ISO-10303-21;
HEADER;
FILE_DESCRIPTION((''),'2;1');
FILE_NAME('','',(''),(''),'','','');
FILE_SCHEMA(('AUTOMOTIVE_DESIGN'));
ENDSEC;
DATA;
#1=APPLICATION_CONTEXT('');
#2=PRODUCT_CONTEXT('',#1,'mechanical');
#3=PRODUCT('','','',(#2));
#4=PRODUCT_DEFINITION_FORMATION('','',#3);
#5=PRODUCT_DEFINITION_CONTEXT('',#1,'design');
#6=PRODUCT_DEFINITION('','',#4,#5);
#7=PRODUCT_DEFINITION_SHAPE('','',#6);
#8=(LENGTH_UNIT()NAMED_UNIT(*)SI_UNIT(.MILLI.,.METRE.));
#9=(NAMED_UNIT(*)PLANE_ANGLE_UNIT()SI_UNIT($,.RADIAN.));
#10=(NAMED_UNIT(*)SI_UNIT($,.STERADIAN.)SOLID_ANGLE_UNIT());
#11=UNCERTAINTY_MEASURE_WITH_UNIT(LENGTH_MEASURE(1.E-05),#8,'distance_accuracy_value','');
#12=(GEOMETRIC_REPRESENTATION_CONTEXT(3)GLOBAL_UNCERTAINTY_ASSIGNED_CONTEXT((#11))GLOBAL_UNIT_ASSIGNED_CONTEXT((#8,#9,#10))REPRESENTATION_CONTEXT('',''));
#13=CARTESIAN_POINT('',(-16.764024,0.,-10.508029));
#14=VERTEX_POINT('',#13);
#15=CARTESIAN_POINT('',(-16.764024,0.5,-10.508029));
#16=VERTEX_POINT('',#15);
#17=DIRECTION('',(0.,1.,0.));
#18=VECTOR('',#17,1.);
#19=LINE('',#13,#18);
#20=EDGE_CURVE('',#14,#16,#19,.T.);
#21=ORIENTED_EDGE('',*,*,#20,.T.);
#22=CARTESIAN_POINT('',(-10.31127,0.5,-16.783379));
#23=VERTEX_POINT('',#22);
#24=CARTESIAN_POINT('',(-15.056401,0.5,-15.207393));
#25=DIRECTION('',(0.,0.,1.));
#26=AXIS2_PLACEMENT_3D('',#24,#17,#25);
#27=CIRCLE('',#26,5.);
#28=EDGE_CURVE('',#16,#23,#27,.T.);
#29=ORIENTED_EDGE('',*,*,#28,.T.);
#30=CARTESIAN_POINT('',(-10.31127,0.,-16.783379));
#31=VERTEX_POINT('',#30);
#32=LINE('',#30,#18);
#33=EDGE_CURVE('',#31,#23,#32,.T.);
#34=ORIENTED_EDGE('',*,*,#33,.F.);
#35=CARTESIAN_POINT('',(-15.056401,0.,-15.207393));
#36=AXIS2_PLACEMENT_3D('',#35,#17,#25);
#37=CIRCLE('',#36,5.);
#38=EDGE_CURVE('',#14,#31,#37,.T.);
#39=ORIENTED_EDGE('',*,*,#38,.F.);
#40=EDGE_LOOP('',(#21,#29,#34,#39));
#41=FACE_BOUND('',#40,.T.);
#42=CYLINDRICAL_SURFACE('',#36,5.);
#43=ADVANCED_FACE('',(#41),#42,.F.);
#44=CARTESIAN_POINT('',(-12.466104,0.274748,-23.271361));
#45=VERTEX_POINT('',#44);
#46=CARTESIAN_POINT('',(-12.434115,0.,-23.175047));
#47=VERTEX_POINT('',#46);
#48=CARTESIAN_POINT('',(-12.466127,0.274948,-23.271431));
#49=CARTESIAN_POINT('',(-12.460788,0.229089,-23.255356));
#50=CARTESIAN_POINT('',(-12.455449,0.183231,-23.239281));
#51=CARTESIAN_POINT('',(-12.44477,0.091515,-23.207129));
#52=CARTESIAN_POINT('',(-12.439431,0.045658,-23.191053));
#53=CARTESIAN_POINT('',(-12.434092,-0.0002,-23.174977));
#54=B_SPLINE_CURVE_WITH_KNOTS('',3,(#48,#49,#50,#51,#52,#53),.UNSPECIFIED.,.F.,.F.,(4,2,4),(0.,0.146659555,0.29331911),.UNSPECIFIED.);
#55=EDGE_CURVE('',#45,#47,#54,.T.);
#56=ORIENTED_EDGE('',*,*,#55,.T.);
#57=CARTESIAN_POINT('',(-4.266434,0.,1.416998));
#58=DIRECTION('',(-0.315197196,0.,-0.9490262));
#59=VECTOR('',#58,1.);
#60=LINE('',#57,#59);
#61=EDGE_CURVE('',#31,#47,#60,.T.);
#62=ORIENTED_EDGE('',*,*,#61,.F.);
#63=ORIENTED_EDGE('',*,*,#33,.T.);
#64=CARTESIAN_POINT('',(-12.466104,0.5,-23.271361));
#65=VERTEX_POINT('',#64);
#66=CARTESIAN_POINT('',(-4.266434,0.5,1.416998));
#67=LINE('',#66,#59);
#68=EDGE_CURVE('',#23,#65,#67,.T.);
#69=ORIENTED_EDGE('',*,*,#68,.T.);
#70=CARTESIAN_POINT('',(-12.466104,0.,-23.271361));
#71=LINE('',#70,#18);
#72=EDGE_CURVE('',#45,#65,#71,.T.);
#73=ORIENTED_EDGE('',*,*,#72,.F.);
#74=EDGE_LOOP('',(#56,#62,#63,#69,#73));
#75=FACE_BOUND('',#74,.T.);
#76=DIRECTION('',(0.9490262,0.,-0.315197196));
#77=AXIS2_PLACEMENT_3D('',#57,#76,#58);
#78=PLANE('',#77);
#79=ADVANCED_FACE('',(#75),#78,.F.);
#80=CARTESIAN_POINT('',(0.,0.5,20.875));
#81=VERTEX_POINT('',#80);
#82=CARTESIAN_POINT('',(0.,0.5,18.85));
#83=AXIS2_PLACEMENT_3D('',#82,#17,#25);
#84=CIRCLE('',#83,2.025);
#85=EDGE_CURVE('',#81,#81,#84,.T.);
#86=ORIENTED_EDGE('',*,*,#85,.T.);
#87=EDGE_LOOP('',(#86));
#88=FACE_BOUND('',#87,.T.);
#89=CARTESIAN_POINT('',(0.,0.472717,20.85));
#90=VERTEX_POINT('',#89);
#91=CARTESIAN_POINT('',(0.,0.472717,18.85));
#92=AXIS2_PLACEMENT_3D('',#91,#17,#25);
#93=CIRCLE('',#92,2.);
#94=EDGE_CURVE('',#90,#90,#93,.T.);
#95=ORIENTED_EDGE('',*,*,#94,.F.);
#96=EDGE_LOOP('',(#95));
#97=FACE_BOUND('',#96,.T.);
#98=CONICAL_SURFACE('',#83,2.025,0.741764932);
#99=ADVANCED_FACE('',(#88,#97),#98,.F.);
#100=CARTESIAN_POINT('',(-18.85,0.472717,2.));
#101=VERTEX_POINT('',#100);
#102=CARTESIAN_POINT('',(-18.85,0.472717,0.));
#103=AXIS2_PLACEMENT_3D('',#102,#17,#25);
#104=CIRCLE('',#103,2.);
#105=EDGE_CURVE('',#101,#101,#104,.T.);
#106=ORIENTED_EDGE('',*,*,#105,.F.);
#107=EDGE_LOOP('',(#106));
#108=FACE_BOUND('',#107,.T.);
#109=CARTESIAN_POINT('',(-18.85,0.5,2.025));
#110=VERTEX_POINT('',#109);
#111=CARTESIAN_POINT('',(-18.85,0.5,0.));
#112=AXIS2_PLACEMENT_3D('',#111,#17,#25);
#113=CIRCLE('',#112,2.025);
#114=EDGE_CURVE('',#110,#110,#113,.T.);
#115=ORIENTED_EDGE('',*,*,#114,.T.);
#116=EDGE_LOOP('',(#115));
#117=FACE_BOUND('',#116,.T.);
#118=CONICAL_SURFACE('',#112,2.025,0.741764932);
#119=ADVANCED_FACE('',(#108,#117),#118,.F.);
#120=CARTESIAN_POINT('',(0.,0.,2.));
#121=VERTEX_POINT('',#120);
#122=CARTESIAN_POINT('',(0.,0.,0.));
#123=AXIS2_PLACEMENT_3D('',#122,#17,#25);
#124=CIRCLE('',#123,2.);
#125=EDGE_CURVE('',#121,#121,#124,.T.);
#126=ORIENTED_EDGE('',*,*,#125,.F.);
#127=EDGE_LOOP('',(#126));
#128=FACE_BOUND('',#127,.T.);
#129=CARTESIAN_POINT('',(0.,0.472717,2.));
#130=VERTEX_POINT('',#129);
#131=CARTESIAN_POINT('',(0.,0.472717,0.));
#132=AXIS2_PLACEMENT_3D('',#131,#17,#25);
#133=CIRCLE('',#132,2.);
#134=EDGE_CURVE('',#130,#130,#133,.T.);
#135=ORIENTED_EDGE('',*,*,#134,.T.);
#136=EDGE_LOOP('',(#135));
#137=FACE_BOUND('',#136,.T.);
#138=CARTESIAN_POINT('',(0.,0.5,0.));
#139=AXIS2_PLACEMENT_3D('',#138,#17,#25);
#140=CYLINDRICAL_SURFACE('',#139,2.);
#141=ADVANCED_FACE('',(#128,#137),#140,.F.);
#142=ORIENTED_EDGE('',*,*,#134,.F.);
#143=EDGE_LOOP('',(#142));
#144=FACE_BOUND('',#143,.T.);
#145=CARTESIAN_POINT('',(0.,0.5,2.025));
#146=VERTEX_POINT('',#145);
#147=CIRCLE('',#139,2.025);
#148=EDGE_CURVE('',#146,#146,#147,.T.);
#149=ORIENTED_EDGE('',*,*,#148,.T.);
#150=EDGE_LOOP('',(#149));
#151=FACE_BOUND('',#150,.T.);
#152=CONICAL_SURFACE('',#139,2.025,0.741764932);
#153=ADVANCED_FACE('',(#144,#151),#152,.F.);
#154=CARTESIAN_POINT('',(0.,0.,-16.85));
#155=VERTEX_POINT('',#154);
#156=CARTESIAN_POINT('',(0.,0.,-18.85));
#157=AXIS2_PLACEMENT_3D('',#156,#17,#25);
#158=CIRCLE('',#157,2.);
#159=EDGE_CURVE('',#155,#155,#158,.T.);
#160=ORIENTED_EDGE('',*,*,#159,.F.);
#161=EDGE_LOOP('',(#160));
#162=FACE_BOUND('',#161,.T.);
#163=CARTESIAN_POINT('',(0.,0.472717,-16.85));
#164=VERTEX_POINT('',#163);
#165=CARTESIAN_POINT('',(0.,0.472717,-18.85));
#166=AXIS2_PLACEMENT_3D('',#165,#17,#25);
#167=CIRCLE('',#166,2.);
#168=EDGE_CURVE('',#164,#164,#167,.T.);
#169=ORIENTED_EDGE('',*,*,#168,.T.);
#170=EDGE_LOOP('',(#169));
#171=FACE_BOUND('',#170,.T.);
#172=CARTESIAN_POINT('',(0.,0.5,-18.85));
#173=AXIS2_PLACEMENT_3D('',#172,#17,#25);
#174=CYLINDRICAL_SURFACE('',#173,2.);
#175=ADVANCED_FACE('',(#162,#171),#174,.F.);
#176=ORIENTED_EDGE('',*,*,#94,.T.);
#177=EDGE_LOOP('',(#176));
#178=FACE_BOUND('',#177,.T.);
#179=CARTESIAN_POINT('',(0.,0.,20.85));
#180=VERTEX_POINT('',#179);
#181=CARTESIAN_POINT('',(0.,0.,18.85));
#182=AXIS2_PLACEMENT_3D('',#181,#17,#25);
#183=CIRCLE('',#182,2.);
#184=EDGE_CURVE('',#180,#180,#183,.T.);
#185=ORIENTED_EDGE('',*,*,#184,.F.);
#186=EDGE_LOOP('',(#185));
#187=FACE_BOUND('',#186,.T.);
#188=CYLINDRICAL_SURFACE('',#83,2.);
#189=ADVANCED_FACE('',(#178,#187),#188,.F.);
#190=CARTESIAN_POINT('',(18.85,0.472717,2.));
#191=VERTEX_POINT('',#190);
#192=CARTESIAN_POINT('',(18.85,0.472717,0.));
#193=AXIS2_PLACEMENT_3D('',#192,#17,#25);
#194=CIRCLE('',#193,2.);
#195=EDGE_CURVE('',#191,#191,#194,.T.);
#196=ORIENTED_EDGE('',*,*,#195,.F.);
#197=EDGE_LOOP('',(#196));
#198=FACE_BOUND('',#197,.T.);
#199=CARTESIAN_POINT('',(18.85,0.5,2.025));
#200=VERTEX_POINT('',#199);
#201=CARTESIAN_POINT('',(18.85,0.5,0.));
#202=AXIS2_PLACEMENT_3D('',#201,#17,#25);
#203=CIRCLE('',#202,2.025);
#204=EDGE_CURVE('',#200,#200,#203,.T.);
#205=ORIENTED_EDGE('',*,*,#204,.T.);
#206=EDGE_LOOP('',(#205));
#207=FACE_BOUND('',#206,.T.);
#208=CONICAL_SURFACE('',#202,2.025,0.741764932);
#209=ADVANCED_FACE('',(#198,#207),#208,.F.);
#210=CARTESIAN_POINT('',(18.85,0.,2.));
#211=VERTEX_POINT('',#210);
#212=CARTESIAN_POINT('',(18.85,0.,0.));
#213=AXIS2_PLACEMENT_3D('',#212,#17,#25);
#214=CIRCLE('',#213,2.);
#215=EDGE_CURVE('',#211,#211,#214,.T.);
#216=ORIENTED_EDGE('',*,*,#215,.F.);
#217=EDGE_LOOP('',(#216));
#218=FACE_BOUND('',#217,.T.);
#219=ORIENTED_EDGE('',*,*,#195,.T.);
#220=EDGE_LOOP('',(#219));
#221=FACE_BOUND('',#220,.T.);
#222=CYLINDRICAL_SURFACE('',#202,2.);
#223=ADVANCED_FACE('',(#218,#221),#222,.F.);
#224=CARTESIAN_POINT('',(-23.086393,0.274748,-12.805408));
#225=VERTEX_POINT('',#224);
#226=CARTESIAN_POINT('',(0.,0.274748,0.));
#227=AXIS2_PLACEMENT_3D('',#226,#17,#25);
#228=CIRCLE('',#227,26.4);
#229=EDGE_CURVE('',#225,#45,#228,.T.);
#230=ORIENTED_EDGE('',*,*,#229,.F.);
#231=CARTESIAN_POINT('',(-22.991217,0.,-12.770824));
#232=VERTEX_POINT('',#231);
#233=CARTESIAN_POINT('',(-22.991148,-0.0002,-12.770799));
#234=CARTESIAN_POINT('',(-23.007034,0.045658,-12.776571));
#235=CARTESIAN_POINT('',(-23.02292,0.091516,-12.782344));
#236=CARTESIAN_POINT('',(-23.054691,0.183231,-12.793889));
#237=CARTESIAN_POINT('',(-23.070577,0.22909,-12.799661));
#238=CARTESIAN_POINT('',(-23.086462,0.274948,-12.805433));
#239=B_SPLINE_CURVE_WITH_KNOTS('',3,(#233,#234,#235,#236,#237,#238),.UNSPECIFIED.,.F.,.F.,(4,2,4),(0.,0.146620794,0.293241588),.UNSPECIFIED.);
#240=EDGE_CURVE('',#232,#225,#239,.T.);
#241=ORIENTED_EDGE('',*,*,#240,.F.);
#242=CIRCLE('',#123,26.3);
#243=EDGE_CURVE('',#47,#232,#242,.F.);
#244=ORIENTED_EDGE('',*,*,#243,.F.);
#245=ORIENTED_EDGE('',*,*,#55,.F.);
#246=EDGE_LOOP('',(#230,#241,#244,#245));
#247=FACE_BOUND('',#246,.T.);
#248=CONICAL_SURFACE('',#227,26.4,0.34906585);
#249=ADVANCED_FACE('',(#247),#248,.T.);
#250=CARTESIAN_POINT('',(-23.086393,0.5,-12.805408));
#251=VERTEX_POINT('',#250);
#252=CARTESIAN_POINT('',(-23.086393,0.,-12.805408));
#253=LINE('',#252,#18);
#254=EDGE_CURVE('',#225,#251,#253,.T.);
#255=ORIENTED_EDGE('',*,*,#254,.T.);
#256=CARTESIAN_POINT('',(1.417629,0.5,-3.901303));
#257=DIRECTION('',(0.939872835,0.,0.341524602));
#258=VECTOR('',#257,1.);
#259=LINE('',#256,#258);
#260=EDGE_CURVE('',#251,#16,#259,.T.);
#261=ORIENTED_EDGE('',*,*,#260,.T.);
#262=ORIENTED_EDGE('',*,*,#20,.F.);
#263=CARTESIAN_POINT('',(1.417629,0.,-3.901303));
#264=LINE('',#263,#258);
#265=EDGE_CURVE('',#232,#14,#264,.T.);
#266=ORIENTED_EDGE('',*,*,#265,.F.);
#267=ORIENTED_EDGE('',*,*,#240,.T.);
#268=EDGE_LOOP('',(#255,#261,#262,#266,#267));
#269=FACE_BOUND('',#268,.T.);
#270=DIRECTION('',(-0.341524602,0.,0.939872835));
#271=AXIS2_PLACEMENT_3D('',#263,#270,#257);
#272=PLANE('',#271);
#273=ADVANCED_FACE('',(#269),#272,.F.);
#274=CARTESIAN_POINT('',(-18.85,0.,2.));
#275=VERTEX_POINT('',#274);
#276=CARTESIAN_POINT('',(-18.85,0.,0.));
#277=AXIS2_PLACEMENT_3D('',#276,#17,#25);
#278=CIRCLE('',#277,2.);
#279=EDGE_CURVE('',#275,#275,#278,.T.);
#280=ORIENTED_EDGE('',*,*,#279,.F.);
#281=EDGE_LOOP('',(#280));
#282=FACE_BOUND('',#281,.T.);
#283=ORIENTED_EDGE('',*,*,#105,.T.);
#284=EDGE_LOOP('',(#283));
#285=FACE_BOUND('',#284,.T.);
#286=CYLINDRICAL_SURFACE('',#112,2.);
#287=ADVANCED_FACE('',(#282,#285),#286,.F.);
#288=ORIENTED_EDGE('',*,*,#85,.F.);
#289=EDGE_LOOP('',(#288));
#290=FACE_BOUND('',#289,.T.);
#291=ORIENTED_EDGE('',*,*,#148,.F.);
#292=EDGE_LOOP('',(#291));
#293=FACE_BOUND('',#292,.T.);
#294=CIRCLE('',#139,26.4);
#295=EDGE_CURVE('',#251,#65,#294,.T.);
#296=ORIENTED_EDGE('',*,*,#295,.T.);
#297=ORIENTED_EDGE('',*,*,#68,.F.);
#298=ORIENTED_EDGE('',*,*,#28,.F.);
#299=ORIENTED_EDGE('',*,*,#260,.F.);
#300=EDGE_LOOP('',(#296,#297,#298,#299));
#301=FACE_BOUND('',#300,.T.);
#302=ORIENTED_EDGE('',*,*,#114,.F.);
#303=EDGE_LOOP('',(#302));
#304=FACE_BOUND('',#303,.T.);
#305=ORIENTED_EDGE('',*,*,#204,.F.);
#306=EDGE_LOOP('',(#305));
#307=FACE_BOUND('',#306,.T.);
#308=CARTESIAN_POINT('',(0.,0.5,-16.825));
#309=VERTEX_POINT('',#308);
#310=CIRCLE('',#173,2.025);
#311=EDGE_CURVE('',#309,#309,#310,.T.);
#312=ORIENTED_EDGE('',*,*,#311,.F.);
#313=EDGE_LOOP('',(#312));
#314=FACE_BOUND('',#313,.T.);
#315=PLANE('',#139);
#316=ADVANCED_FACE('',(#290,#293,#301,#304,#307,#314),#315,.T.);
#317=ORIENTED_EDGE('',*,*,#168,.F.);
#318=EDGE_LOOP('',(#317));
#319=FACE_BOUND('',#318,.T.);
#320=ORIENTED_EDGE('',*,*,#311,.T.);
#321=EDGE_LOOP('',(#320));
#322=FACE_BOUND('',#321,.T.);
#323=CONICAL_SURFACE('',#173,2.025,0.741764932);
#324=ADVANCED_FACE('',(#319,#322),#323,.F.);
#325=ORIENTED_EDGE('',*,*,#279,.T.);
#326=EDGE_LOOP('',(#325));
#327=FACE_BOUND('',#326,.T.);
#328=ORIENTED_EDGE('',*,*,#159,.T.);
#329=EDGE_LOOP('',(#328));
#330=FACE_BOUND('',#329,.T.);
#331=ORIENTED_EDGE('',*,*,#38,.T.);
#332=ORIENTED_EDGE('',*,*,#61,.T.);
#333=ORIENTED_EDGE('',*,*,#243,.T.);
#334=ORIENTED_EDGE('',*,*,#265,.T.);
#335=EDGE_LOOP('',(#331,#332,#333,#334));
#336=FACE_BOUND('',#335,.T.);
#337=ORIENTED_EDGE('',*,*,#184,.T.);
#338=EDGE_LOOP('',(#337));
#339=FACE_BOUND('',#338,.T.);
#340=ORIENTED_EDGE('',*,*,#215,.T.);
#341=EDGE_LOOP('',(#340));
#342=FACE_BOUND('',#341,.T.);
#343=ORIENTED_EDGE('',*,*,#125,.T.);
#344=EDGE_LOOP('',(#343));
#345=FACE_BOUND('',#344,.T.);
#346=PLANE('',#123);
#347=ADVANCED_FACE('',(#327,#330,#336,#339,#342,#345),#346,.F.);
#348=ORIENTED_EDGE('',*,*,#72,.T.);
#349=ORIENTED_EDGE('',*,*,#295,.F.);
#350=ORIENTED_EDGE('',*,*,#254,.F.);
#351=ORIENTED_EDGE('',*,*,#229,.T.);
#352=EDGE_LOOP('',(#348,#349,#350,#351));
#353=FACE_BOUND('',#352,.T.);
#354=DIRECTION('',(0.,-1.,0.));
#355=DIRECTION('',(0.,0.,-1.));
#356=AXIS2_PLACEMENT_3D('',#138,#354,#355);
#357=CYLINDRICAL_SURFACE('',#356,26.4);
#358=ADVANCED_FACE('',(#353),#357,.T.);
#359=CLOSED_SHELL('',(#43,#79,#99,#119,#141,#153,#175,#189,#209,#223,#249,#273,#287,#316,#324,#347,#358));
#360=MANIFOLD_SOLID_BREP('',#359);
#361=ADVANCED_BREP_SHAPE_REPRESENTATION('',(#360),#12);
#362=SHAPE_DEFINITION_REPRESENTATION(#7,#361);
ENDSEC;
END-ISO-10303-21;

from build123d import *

# Parameters (mm, degrees)
SKETCH1_R                         = 26.4
BOSS_EXTRUDE1_DEPTH               = 0.5
F_4_0_4_DIAMETER_HOLE1_AT_2_COUNT = 2
F_4_0_4_DIAMETER_HOLE1_AT_2_PITCH = 18.85
F_4_0_4_DIAMETER_HOLE1_AT_3_COUNT = 2
F_4_0_4_DIAMETER_HOLE1_AT_3_PITCH = 18.85
F_4_0_4_DIAMETER_HOLE1_AT_4_COUNT = 2
F_4_0_4_DIAMETER_HOLE1_AT_4_PITCH = 18.85
F_4_0_4_DIAMETER_HOLE1_AT_5_COUNT = 2
F_4_0_4_DIAMETER_HOLE1_AT_5_PITCH = 18.85
CHAMFER1_SIZE                     = 0.1
CHAMFER1_SIZE2                    = 0.274747742
SKETCH5_R                         = 5
CUT_EXTRUDE1_DEPTH                = 38.33858594


with BuildPart() as part:
    # Sketch1 → Boss-Extrude1 (new body)
    with BuildSketch(Plane(origin=(0, 0, 0), x_dir=(1, 0, 0), z_dir=(0, 1, 0))):
        with Locations(Location((0, 0, 0), (0, 0, 270))):
            Circle(SKETCH1_R)
    extrude(amount=BOSS_EXTRUDE1_DEPTH)

    # Sketch4 → Ø4.0 (4) Diameter Hole1 (revolve, cut)
    with BuildSketch(Plane(origin=(0, 0.5, 0), x_dir=(0, 0, 1), z_dir=(1, 0, 0))):
        Polygon((0, 0), (0, 0.5), (2, 0.5), (2, 0.027282713), (2.025, 0), align=None)
    f_4_0_4_diameter_hole1 = revolve(axis=Axis((0, 6.85, 0), (0, -1, 0)), mode=Mode.SUBTRACT)

    # Ø4.0 (4) Diameter Hole1 at 2: Ø4.0 (4) Diameter Hole1 ×2
    with Locations(*[(-i * F_4_0_4_DIAMETER_HOLE1_AT_2_PITCH, 0, 0) for i in range(1, F_4_0_4_DIAMETER_HOLE1_AT_2_COUNT)]):
        add(f_4_0_4_diameter_hole1, mode=Mode.SUBTRACT)

    # Ø4.0 (4) Diameter Hole1 at 3: Ø4.0 (4) Diameter Hole1 ×2
    with Locations(*[(0, 0, -i * F_4_0_4_DIAMETER_HOLE1_AT_3_PITCH) for i in range(1, F_4_0_4_DIAMETER_HOLE1_AT_3_COUNT)]):
        add(f_4_0_4_diameter_hole1, mode=Mode.SUBTRACT)

    # Ø4.0 (4) Diameter Hole1 at 4: Ø4.0 (4) Diameter Hole1 ×2
    with Locations(*[(i * F_4_0_4_DIAMETER_HOLE1_AT_4_PITCH, 0, 0) for i in range(1, F_4_0_4_DIAMETER_HOLE1_AT_4_COUNT)]):
        add(f_4_0_4_diameter_hole1, mode=Mode.SUBTRACT)

    # Ø4.0 (4) Diameter Hole1 at 5: Ø4.0 (4) Diameter Hole1 ×2
    with Locations(*[(0, 0, i * F_4_0_4_DIAMETER_HOLE1_AT_5_PITCH) for i in range(1, F_4_0_4_DIAMETER_HOLE1_AT_5_COUNT)]):
        add(f_4_0_4_diameter_hole1, mode=Mode.SUBTRACT)

    # Chamfer1
    chamfer1_edges = [part.edges().sort_by_distance(p)[0] for p in [
        (0, 0, -26.4),
    ]]
    chamfer1_side = [part.faces().sort_by_distance(p)[0] for p in [
        (0, 0, -25.653295239),
    ]]
    chamfer(chamfer1_edges, length=CHAMFER1_SIZE, length2=CHAMFER1_SIZE2, reference=chamfer1_side[0])

    # Sketch5 → Cut-Extrude1 (cut, through all)
    with BuildSketch(Plane(origin=(0, 0.5, 0), x_dir=(1, 0, 0), z_dir=(0, 1, 0))):
        with Locations((-15.056400691, 15.207392881)):
            Circle(SKETCH5_R)
        with BuildLine():
            ThreePointArc((-18.57425135, 18.760522029), (-21.042056901, 15.943394914), (-23.086392584, 12.805408134))
            Line((-23.086392584, 12.805408134), (-16.76402379, 10.508028737))
            ThreePointArc((-16.76402379, 10.508028737), (-19.940282895, 14.136087779), (-18.57425135, 18.760522029))
        make_face()
        with BuildLine():
            ThreePointArc((-12.466103662, 23.271361359), (-15.683202086, 21.236694007), (-18.57425135, 18.760522029))
            ThreePointArc((-18.57425135, 18.760522029), (-13.892859594, 20.070125869), (-10.311269735, 16.783378987))
            Line((-10.311269735, 16.783378987), (-12.466103662, 23.271361359))
        make_face()
    extrude(amount=-CUT_EXTRUDE1_DEPTH, mode=Mode.SUBTRACT)


solid = part.part
